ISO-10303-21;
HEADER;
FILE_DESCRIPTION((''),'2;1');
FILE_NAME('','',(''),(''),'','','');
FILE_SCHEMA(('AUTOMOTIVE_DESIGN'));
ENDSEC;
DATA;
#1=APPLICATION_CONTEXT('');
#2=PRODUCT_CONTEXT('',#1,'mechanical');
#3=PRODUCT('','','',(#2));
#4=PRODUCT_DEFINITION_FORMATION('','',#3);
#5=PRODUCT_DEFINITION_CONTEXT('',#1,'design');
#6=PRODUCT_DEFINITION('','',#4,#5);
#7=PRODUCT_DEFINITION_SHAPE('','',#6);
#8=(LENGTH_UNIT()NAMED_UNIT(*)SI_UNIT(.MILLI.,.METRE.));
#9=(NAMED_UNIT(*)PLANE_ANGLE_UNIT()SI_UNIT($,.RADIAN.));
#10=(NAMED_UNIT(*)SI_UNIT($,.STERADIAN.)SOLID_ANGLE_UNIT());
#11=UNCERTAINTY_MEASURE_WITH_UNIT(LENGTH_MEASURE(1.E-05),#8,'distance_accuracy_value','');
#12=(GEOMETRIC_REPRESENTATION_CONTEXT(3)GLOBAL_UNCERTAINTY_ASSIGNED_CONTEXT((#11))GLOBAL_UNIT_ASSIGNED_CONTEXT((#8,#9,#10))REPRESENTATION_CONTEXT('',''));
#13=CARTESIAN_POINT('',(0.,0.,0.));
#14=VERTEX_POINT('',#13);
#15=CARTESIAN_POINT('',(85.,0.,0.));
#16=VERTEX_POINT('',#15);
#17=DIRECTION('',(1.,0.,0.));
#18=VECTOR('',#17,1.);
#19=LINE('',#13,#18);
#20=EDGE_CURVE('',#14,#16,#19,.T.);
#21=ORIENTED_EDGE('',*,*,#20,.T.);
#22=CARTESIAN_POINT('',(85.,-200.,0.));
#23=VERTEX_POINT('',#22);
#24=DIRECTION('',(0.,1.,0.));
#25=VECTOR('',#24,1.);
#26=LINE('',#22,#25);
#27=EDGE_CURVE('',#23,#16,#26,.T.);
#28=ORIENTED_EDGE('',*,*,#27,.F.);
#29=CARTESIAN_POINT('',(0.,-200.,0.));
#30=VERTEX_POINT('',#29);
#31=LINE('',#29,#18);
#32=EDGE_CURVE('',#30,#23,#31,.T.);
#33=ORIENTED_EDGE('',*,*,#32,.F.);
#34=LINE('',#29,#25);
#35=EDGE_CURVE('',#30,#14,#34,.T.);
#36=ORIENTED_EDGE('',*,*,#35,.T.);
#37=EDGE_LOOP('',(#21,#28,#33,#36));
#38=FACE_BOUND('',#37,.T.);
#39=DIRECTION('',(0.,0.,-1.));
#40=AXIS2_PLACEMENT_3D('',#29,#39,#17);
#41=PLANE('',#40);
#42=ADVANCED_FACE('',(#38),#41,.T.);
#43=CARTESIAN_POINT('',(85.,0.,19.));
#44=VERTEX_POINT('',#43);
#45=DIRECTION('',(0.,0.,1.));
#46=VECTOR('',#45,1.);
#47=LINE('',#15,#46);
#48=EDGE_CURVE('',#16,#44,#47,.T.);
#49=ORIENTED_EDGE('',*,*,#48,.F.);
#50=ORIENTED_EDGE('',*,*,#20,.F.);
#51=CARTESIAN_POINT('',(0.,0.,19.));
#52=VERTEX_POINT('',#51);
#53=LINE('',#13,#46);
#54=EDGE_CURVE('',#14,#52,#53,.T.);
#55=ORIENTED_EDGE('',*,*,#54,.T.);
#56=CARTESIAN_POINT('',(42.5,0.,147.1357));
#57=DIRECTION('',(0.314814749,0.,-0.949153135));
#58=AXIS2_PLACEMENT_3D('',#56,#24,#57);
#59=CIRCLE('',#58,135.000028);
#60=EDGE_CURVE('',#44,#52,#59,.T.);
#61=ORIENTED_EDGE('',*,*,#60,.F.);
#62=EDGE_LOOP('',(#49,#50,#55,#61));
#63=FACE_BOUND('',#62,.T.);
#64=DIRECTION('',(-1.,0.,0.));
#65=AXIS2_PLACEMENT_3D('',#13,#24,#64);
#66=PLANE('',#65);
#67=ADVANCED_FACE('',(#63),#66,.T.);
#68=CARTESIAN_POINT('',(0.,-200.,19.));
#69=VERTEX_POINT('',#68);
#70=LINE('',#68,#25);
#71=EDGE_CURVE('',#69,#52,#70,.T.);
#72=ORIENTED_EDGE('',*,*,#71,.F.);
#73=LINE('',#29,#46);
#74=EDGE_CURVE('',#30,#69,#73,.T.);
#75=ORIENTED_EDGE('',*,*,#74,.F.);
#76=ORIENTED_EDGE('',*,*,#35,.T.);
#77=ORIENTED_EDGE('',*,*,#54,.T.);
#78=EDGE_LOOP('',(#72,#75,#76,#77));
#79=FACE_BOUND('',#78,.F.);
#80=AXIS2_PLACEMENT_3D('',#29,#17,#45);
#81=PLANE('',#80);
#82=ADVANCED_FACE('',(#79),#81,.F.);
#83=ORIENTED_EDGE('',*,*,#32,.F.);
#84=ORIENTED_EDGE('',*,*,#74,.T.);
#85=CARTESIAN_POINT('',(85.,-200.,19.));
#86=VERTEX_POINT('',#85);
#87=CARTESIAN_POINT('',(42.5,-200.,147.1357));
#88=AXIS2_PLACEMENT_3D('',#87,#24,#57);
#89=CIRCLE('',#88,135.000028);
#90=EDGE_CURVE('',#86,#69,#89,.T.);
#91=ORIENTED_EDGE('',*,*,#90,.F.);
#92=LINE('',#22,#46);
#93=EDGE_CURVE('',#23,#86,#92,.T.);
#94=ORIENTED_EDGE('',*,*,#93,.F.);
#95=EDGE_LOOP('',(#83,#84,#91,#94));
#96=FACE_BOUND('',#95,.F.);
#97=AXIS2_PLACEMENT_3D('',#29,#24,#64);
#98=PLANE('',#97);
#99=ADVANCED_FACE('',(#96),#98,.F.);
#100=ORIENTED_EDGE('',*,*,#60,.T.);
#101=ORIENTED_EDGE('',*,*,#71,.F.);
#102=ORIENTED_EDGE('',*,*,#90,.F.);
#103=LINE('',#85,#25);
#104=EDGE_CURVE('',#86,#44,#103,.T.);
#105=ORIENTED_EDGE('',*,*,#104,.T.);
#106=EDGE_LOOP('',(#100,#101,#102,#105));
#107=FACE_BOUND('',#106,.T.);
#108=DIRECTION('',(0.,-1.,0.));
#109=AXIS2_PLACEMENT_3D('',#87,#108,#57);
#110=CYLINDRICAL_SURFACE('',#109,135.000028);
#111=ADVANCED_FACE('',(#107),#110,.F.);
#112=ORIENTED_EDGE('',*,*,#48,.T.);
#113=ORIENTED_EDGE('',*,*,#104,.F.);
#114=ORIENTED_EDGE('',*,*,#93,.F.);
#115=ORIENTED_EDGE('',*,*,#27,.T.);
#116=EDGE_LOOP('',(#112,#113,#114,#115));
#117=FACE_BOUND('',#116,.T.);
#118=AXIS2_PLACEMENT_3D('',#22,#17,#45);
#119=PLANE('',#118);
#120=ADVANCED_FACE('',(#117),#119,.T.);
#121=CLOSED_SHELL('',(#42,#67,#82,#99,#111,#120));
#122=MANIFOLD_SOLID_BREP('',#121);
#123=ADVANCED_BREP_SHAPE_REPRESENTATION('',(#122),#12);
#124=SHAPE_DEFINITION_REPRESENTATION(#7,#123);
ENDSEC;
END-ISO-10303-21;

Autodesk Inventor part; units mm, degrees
ref_plane "Work Plane1" through (0, -200, 0) normal (0, 1, 0) x (-1, 0, 0)
ref_plane "YZ Plane" through (0, 0, 0) normal (1, 0, 0) x (0, 1, 0)
ref_plane "Work Plane1" through (0, -200, 0) normal (0, 1, 0) x (-1, 0, 0)
sketch "Sketch1" plane through (0, -200, 0) normal (0, 1, 0) x (-1, 0, 0)
  line L0 (0, 0) -> (-85, 0)
  line L1 (-85, 0) -> (-85, 19)
  line L2 (0, 0) -> (0, 19)
  arc A0 (-85, 19) -> (0, 19) centre (-42.5, 147.1357) ccw
  dimension "d1" = 85
  dimension "d2" = 19
  dimension "d3" = 19
  dimension "d4" = 135
extrude "Extrusion1" add sketch "Sketch1" along normal blind 200
ref_plane "Work Plane3" through (0, 0, 19) normal (0, 0, 1) x (1, 0, 0)
properties part number "2.2.1SujayPrototype"
